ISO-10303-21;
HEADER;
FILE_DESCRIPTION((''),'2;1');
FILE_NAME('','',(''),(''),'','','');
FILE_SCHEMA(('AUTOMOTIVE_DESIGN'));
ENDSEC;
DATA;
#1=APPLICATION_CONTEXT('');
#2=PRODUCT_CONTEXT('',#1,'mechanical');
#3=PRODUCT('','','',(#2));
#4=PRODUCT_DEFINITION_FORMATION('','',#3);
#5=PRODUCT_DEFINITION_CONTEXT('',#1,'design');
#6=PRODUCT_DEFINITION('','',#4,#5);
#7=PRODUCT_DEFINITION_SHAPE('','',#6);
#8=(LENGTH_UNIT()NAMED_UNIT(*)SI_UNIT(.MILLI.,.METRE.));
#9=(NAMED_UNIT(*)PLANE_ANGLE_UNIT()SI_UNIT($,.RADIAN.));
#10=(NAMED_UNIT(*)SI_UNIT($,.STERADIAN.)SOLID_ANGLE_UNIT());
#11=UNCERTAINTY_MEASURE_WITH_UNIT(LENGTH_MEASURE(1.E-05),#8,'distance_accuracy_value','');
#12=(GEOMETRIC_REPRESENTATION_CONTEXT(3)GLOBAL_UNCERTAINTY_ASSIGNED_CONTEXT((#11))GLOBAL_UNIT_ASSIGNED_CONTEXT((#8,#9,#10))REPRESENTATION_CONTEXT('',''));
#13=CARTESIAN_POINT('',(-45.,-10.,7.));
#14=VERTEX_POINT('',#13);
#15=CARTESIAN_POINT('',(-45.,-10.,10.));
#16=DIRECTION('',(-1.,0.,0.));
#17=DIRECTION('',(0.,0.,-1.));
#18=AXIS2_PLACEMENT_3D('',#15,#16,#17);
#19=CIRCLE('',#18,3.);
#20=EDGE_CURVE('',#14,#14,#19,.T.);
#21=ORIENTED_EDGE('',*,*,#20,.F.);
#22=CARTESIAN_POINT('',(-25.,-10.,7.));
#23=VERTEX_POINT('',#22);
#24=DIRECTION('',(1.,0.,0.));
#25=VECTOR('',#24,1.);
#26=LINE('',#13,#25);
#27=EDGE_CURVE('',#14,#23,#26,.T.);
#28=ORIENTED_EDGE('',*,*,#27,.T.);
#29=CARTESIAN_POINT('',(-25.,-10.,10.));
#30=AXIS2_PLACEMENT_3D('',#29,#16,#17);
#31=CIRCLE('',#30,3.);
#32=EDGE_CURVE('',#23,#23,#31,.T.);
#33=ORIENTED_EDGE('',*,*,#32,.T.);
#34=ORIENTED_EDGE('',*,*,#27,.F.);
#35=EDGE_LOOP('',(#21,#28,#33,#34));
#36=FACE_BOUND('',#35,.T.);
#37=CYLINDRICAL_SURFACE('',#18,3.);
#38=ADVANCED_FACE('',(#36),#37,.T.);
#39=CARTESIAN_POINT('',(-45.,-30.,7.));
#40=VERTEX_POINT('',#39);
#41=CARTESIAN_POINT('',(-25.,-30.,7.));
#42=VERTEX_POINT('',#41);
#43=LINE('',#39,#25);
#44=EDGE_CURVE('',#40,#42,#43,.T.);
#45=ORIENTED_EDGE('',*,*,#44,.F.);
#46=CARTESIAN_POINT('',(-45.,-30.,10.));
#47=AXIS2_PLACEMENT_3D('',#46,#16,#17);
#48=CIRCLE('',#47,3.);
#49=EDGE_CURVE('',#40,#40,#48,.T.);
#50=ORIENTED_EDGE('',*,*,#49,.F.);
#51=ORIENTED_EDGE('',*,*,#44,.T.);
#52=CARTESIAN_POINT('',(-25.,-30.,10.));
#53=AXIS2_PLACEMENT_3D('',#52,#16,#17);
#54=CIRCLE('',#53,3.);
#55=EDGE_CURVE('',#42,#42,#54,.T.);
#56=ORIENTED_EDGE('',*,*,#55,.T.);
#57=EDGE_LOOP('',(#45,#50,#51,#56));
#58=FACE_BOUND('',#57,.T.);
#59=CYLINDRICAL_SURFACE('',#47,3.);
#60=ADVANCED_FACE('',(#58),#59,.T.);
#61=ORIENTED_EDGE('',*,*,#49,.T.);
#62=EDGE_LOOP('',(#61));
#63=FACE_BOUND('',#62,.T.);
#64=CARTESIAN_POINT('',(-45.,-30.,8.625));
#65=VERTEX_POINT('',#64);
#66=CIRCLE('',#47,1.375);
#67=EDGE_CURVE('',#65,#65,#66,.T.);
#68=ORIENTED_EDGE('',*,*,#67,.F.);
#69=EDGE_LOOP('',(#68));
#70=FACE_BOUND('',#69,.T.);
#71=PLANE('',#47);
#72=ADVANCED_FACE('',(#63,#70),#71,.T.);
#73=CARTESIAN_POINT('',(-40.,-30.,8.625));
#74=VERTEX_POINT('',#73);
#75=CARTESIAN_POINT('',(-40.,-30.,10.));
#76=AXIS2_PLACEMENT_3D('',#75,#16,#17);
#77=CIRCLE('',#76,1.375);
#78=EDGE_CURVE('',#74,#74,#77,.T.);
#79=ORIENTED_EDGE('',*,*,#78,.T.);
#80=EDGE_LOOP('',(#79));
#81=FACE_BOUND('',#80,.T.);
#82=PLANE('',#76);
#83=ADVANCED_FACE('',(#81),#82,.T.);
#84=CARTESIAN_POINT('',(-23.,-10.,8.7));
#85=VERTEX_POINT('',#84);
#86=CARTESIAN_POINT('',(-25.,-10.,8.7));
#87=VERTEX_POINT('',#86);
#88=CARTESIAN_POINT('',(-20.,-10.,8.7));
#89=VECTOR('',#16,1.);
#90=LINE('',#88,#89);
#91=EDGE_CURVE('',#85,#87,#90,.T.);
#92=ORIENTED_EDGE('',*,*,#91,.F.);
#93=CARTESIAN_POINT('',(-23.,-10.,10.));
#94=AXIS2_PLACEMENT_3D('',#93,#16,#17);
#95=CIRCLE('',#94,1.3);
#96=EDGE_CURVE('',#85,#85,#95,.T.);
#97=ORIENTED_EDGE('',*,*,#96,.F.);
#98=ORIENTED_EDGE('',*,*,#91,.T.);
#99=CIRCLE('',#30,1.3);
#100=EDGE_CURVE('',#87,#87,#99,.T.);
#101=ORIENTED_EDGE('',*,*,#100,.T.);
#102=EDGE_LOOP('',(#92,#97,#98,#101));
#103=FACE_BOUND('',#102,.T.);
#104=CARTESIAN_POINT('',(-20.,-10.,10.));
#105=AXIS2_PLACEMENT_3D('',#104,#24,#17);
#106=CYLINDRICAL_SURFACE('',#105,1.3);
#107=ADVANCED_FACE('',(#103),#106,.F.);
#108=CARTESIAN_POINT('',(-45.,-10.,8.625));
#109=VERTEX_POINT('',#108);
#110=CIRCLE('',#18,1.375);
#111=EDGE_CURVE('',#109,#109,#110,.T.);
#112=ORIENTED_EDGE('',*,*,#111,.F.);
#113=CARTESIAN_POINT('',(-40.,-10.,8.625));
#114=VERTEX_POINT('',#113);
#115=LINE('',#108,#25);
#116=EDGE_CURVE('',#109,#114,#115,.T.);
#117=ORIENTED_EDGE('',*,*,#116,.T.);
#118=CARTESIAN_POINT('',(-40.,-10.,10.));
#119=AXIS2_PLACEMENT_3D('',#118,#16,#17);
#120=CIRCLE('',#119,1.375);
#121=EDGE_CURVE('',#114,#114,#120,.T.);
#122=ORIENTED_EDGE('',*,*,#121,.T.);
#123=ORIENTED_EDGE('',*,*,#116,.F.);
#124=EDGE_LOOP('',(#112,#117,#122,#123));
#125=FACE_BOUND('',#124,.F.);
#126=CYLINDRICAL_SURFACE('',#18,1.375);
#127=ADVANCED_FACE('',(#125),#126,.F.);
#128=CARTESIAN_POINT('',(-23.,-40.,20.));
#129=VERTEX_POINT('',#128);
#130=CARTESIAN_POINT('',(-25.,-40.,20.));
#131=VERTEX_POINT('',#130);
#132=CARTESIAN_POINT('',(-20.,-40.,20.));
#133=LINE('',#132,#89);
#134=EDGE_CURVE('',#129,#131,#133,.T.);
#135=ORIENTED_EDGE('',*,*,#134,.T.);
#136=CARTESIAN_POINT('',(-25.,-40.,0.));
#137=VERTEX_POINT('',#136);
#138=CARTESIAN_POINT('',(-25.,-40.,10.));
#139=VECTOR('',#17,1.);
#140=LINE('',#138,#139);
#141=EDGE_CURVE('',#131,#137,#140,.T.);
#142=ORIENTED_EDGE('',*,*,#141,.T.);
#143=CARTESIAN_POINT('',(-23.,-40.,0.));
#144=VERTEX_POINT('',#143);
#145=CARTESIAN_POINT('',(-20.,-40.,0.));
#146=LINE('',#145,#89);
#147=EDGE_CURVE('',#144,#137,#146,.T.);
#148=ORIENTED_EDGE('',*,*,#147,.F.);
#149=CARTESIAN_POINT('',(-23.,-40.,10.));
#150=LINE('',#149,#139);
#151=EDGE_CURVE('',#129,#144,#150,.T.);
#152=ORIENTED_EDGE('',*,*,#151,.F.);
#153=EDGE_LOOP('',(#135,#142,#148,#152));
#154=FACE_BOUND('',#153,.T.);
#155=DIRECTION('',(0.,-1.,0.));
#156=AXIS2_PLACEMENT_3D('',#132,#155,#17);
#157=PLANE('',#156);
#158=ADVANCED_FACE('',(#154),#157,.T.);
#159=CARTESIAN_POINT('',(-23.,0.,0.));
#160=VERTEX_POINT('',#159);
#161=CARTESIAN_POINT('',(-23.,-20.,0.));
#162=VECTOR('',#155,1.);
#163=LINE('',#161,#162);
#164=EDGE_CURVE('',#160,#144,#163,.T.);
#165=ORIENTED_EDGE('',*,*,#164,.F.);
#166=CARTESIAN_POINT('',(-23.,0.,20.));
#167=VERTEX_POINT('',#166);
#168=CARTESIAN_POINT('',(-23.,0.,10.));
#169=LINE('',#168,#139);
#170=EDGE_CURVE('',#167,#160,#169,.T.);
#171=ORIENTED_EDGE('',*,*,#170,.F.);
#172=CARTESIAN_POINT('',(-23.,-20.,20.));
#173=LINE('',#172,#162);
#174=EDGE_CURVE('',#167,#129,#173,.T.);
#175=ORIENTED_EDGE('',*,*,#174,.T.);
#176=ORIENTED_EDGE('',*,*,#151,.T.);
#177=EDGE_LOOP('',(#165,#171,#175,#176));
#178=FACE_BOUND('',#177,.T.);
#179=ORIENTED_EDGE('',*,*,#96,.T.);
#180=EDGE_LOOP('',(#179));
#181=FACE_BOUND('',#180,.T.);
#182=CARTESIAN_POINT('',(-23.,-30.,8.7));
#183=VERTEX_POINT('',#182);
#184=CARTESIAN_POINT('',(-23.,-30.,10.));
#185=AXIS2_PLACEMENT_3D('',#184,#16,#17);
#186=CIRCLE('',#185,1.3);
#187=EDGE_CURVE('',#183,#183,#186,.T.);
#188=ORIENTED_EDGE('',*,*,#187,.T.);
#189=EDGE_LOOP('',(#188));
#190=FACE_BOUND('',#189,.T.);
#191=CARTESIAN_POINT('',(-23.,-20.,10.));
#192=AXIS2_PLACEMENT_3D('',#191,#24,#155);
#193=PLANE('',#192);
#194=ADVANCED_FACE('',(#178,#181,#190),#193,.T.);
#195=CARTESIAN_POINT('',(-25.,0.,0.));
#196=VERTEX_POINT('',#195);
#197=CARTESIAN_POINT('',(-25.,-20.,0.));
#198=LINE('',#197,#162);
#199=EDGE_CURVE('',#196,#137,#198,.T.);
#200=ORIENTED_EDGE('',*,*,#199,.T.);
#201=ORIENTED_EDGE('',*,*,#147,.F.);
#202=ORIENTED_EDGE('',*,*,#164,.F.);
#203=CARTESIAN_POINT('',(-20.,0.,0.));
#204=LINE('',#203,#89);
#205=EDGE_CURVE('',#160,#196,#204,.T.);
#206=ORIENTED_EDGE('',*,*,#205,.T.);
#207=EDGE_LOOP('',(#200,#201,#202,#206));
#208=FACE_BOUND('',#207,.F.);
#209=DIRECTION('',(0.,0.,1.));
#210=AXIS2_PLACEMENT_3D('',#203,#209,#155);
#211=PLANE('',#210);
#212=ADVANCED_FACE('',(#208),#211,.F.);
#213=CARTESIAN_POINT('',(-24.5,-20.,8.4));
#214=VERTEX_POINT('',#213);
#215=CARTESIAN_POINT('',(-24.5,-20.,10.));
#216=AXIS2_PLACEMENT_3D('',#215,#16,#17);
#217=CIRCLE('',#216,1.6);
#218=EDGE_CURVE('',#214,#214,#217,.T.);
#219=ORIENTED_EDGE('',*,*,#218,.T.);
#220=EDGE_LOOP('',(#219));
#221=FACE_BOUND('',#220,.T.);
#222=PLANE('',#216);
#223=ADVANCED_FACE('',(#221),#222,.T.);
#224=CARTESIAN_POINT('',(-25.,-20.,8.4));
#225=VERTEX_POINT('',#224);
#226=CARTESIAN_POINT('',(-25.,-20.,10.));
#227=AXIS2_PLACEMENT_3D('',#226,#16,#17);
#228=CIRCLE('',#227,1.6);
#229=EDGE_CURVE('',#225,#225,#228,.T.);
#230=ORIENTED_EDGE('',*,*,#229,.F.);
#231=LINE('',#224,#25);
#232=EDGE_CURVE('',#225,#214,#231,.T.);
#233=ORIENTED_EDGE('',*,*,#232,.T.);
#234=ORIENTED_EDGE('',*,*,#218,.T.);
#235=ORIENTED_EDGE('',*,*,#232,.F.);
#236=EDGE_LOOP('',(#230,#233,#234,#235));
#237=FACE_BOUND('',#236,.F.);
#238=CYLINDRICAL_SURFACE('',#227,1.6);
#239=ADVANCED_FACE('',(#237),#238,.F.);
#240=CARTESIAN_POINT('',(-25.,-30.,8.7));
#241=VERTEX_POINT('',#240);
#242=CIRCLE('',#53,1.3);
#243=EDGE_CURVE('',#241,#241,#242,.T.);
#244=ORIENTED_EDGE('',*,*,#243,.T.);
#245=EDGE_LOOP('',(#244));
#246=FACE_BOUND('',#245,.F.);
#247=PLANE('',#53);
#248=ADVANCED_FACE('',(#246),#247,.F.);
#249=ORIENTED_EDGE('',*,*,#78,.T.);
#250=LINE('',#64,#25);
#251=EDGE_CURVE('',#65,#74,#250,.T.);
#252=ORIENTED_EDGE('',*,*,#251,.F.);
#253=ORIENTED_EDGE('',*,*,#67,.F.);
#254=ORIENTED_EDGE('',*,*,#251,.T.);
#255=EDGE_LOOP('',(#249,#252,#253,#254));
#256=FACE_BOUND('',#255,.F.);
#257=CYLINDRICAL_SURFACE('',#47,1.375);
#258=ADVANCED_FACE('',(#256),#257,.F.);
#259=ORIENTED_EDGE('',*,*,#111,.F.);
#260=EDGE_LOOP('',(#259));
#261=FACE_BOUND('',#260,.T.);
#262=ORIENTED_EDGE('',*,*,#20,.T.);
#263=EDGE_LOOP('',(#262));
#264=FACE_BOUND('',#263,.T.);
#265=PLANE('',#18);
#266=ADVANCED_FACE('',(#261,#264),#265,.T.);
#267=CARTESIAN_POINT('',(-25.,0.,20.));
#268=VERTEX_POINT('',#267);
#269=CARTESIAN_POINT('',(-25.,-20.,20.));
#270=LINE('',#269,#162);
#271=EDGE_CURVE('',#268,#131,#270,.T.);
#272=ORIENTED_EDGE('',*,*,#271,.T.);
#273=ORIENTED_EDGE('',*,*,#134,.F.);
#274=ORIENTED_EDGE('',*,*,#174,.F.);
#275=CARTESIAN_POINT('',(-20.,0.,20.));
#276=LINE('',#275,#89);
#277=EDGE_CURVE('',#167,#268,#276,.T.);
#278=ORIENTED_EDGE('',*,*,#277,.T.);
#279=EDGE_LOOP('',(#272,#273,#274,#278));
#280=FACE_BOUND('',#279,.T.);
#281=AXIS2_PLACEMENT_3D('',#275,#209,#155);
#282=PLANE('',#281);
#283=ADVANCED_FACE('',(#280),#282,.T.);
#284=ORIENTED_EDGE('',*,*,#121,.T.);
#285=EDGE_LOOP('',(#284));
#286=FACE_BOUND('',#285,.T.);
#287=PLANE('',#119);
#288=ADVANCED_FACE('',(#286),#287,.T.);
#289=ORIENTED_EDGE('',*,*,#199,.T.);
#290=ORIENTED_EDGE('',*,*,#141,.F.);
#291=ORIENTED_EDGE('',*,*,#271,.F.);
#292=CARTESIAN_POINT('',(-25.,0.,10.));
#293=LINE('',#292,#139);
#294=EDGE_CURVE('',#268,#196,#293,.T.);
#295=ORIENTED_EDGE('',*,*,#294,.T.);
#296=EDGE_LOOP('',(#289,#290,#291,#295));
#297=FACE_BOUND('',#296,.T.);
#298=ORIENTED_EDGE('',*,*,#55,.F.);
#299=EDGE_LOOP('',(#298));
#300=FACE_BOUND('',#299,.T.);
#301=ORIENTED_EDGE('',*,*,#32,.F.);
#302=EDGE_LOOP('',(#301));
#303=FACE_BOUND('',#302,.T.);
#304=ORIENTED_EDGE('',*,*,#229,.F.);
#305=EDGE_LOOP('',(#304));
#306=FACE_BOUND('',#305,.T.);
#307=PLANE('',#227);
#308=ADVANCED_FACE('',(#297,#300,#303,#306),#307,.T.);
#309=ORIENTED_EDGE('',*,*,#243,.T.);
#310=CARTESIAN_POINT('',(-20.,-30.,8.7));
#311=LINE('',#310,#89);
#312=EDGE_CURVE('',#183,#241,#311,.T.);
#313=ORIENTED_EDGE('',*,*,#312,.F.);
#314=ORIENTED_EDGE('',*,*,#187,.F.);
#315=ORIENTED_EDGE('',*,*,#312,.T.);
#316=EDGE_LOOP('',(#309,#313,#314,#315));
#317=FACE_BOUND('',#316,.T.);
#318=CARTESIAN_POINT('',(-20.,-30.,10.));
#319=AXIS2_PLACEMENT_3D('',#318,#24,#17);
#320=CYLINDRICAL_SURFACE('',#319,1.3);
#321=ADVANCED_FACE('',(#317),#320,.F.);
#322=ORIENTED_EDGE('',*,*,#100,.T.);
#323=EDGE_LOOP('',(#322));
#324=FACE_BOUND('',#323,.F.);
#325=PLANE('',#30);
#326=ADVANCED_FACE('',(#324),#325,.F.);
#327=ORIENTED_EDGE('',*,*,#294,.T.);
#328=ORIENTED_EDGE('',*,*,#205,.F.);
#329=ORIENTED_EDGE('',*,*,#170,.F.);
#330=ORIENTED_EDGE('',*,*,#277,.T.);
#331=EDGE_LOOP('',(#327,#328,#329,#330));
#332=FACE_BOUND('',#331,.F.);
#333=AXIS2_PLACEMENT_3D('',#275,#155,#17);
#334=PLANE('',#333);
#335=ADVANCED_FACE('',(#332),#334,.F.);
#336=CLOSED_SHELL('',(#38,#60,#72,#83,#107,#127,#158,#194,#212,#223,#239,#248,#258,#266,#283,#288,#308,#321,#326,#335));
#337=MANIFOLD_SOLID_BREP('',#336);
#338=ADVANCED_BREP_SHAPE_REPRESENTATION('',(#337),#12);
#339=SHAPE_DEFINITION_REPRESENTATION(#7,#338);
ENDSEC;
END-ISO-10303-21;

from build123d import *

# Parameters (mm, degrees)
SKETCH005_W       = 20
SKETCH005_H       = 40
SKETCH005_R       = 1.3
PAD002_DEPTH      = 5
SKETCH006_R       = 2.5
PAD003_DEPTH      = 20
SKETCH007_R       = 1.6
POCKET003_DEPTH   = 0.5
POCKET003_FACE4_W = 40
POCKET003_FACE4_H = 20
POCKET003_FACE4_R = 1.3
POCKET006_DEPTH   = 3
SKETCH014_R       = 1.3
POCKET009_DEPTH   = 5
SKETCH016_R       = 3
SKETCH016_R_2     = 2.5
PAD008_DEPTH      = 20
SKETCH017_R       = 1.375
POCKET010_DEPTH   = 5


with BuildPart() as part:
    # Sketch005 (on DatumPlane) → Pad002 (new body)
    with BuildSketch(Plane(origin=(0, 0, 20), x_dir=(0, 0, -1), z_dir=(-1, 0, 0))):
        with Locations((10, 20)):
            Rectangle(SKETCH005_W, SKETCH005_H)
        with Locations((10, 30)):
            Circle(SKETCH005_R, mode=Mode.SUBTRACT)
        with Locations((10, 10)):
            Circle(SKETCH005_R, mode=Mode.SUBTRACT)
    extrude(amount=PAD002_DEPTH)

    # Sketch006 (on Face8 of Pad002) → Pad003 (join)
    with BuildSketch(Plane(origin=(-5, 0, 20), x_dir=(0, 0, -1), z_dir=(-1, 0, 0))):
        with Locations((10, 30)):
            Circle(SKETCH006_R)
        with Locations((10, 10)):
            Circle(SKETCH006_R)
    extrude(amount=PAD003_DEPTH)

    # Sketch007 → Pocket003 (cut)
    with BuildSketch(Plane(origin=(-5, 0, 20), x_dir=(0, 0, -1), z_dir=(-1, 0, 0))):
        with Locations((10, 20)):
            Circle(SKETCH007_R)
    extrude(amount=-POCKET003_DEPTH, mode=Mode.SUBTRACT)

    # Pocket003 Face4 → Pocket006 (cut)
    with BuildSketch(Plane(origin=(0, -20, 10), x_dir=(0, -1, 0), z_dir=(1, 0, 0))):
        Rectangle(POCKET003_FACE4_W, POCKET003_FACE4_H)
        with Locations((10, 0)):
            Circle(POCKET003_FACE4_R, mode=Mode.SUBTRACT)
        with Locations((-10, 0)):
            Circle(POCKET003_FACE4_R, mode=Mode.SUBTRACT)
    extrude(amount=-POCKET006_DEPTH, mode=Mode.SUBTRACT)

    # Sketch014 (on Face14 of Pocket006) → Pocket009 (cut)
    with BuildSketch(Plane(origin=(-25, 0, 20), x_dir=(0, 0, -1), z_dir=(-1, 0, 0))):
        with Locations((10, 10)):
            Circle(SKETCH014_R)
        with Locations((10, 30)):
            Circle(SKETCH014_R)
    extrude(amount=-POCKET009_DEPTH, mode=Mode.SUBTRACT)

    # Sketch016 (on Face14 of Pocket009) → Pad008 (join)
    with BuildSketch(Plane(origin=(-25, 0, 20), x_dir=(0, 0, -1), z_dir=(-1, 0, 0))):
        with Locations((10, 30)):
            Circle(SKETCH016_R)
        with Locations((10, 30)):
            Circle(SKETCH016_R_2, mode=Mode.SUBTRACT)
        with Locations((10, 10)):
            Circle(SKETCH016_R)
        with Locations((10, 10)):
            Circle(SKETCH016_R_2, mode=Mode.SUBTRACT)
    extrude(amount=-PAD008_DEPTH)

    # Sketch017 (on Face15 of Pad008) → Pocket010 (cut)
    with BuildSketch(Plane(origin=(-25, 0, 20), x_dir=(0, 0, -1), z_dir=(-1, 0, 0))):
        with Locations((10, 30)):
            Circle(SKETCH017_R)
        with Locations((10, 10)):
            Circle(SKETCH017_R)
    extrude(amount=-POCKET010_DEPTH, mode=Mode.SUBTRACT)


with BuildPart() as part_1:
    # Body002 placement: moved
    add(part.part.moved(Location((-20, 0, 0))))


solid = part_1.part
